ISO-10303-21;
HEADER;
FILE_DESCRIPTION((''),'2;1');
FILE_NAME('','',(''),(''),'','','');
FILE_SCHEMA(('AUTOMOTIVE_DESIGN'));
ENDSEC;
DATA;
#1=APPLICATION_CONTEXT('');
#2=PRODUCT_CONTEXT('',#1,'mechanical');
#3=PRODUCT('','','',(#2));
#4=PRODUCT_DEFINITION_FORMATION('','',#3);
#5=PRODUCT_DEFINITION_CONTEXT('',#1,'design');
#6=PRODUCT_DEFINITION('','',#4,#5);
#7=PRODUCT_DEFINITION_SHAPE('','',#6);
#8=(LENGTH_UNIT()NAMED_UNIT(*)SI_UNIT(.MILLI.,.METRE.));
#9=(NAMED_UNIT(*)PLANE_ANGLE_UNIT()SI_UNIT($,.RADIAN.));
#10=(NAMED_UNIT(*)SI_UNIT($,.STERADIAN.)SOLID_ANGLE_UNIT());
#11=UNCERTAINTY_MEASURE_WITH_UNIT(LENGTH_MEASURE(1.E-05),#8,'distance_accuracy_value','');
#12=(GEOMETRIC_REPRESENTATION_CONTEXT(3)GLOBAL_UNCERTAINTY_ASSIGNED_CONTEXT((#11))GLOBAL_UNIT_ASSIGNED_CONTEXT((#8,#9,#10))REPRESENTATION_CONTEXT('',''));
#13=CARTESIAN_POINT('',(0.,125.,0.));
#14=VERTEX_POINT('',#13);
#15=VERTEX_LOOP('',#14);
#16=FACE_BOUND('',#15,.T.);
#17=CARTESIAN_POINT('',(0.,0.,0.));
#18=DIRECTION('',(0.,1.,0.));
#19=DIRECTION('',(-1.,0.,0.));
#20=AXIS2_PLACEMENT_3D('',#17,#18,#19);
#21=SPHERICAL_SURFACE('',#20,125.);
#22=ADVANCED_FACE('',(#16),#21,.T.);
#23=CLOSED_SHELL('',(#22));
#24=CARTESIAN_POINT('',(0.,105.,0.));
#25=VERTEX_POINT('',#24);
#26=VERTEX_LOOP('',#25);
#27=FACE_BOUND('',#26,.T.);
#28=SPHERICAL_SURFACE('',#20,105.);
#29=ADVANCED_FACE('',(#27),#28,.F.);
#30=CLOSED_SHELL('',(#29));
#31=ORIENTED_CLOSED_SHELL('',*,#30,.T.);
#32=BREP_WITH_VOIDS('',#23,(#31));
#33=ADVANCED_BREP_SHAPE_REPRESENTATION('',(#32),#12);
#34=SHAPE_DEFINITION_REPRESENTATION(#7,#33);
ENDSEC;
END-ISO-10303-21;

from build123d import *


with BuildPart() as part:
    # Sketch1 → Revolve1 (revolve)
    with BuildSketch(Plane.XY):
        with BuildLine():
            Line((0, 125), (0, 105))
            ThreePointArc((0, 105), (105, 0), (0, -105))
            Line((0, -105), (0, -125))
            ThreePointArc((0, -125), (125, 0), (0, 125))
        make_face()
    revolve(axis=Axis((0, 105, 0), (0, -1, 0)))


solid = part.part
